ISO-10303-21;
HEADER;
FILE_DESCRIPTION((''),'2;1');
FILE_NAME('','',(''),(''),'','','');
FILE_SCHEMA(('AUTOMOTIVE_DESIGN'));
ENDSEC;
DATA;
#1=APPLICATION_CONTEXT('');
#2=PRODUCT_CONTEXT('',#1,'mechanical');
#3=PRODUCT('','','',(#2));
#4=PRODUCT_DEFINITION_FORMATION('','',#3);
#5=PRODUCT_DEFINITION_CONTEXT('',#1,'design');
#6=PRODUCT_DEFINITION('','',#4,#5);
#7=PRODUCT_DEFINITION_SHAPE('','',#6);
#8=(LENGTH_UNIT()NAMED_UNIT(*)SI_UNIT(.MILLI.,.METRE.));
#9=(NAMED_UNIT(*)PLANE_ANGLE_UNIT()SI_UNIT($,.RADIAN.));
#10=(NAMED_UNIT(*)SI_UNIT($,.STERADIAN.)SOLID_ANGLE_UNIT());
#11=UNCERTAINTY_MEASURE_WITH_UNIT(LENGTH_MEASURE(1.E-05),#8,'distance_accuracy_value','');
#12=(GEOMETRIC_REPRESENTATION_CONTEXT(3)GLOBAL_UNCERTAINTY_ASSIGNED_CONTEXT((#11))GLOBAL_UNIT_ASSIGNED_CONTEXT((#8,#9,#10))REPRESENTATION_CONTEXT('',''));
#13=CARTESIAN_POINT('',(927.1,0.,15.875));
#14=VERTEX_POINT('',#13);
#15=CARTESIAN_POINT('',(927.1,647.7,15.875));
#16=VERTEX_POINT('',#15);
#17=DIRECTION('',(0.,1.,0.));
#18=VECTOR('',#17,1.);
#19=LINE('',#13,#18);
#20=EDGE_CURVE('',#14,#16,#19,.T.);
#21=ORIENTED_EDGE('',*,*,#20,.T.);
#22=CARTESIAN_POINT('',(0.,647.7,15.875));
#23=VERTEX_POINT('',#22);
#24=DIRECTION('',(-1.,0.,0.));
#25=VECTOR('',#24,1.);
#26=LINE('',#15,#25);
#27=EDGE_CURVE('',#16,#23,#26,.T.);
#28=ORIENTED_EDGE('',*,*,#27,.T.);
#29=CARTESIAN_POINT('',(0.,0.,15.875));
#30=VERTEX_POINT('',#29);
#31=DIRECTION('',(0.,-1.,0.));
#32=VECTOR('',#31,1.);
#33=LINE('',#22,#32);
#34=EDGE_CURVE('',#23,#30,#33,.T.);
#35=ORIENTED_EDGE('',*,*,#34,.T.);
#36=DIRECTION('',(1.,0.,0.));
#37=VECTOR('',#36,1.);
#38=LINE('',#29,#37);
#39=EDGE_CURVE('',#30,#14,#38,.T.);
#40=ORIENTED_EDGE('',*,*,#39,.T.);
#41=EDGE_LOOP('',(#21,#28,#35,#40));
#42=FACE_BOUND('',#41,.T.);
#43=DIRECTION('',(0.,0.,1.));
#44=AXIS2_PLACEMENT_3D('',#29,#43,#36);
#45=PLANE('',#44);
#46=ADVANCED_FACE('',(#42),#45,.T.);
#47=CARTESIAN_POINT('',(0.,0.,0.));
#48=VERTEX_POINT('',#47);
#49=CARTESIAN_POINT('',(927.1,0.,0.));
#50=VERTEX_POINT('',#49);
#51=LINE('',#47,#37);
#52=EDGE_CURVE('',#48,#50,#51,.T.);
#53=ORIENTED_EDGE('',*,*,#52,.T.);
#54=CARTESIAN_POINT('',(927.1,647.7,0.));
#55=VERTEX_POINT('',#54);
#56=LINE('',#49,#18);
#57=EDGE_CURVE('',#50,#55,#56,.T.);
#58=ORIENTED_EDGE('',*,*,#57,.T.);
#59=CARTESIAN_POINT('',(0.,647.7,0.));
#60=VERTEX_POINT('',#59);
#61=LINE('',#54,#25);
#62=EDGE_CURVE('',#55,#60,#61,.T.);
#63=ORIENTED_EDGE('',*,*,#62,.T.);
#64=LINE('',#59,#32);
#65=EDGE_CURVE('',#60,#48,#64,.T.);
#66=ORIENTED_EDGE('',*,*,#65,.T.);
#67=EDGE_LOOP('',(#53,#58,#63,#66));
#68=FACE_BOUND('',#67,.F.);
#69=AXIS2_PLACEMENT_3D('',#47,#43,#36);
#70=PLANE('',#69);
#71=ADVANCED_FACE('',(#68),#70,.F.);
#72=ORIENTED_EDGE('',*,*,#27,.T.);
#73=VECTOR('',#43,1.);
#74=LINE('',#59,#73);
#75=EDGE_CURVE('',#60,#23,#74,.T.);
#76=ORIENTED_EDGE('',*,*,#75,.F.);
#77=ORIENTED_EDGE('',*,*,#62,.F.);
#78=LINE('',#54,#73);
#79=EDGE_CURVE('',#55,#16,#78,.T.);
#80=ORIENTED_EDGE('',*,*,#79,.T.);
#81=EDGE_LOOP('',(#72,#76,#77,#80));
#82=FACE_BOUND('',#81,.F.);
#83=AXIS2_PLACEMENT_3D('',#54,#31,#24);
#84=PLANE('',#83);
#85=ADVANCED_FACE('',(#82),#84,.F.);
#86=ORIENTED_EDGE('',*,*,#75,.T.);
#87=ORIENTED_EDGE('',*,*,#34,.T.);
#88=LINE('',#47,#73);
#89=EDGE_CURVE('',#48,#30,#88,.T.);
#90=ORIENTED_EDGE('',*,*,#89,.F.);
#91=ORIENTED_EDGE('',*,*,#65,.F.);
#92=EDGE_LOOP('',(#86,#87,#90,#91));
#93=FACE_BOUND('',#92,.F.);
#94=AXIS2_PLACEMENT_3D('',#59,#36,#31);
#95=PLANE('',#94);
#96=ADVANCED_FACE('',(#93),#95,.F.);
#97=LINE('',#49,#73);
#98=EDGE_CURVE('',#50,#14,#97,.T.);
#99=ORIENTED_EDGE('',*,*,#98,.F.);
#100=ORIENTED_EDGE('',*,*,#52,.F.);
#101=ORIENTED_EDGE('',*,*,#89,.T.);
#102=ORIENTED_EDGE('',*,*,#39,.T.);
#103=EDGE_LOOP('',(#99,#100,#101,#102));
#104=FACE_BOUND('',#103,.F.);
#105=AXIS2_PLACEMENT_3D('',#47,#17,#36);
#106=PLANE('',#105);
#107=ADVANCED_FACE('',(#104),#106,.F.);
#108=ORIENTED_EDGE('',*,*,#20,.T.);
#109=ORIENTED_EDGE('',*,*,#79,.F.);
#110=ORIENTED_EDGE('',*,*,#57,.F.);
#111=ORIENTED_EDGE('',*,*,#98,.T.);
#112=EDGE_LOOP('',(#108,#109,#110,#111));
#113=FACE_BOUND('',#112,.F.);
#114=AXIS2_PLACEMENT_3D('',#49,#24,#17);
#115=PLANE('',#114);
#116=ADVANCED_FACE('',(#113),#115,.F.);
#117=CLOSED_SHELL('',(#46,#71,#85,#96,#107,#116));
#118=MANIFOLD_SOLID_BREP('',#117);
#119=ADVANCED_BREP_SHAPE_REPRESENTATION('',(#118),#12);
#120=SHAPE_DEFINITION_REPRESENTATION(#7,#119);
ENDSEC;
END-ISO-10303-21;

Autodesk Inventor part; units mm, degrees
ref_plane "YZ Plane" through (0, 0, 0) normal (1, 0, 0) x (0, 1, 0)
ref_plane "XZ Plane" through (0, 0, 0) normal (0, 1, 0) x (-1, 0, 0)
ref_plane "XY Plane" through (0, 0, 0) normal (0, 0, 1) x (1, 0, 0)
sketch "Sketch1" plane through (0, 0, 0) normal (0, 0, 1) x (1, 0, 0)
  line L0 (0, 0) -> (927.1, 0)
  line L1 (927.1, 0) -> (927.1, 647.7)
  line L2 (927.1, 647.7) -> (0, 647.7)
  line L3 (0, 647.7) -> (0, 0)
  dimension "d2" = 647.7
  dimension "d3" = 927.1
extrude "Extrusion1" add sketch "Sketch1" along normal blind 15.875
properties part number "DensGlass_With_Dimensions_36.5_x_25.5_Inches" material "Wood (Birch)"
